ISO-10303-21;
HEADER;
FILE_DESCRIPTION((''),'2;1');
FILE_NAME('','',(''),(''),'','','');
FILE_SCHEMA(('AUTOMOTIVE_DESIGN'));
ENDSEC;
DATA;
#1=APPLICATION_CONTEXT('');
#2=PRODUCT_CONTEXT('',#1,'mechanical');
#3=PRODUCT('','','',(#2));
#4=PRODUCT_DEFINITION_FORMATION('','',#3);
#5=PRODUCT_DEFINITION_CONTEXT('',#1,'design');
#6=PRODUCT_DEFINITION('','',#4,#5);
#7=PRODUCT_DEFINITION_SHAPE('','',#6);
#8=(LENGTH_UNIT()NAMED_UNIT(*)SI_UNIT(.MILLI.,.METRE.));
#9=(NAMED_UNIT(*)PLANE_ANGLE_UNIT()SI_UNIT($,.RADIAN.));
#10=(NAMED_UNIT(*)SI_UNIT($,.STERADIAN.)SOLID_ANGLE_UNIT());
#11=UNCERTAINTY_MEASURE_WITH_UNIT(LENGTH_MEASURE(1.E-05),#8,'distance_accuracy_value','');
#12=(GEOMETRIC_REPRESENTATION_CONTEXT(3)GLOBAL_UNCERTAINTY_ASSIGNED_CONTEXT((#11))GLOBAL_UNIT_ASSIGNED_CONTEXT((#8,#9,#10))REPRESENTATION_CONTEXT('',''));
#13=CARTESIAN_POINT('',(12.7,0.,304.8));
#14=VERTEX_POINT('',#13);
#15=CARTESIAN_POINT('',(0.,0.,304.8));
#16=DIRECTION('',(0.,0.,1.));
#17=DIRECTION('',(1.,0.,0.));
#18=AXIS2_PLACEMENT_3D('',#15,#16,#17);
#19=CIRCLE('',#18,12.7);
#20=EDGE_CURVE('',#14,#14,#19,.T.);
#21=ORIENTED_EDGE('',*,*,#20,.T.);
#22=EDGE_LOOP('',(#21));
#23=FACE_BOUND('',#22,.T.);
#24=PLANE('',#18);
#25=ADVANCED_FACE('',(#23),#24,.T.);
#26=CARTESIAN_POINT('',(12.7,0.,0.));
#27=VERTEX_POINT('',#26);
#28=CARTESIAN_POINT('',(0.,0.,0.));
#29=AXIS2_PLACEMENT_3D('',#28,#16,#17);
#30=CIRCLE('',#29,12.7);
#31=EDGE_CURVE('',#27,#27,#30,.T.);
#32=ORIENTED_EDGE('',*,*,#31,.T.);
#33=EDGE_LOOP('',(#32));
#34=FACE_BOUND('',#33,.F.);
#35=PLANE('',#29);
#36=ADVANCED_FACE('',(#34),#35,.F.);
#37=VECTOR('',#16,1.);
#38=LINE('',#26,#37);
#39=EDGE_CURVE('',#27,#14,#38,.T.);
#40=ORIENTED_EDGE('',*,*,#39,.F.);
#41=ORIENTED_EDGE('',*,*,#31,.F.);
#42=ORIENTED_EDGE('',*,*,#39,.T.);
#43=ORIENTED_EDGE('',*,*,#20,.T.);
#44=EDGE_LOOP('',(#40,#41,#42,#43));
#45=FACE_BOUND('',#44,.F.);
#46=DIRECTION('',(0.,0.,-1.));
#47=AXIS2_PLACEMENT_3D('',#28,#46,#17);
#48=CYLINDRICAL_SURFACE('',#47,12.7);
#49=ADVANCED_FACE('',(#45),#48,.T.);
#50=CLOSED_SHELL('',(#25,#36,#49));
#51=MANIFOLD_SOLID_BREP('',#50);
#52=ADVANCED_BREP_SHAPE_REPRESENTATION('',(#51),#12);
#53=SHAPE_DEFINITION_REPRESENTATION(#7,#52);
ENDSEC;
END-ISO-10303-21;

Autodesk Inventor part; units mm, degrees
ref_plane "YZ Plane" through (0, 0, 0) normal (1, 0, 0) x (0, 1, 0)
ref_plane "XZ Plane" through (0, 0, 0) normal (0, 1, 0) x (-1, 0, 0)
ref_plane "XY Plane" through (0, 0, 0) normal (0, 0, 1) x (1, 0, 0)
sketch "Sketch1" plane through (0, 0, 0) normal (0, 0, 1) x (1, 0, 0)
  circle A0 centre (0, 0) radius 12.7
  dimension "d0" = 25.4
extrude "Extrusion1" add sketch "Sketch1" along normal blind 304.8
properties part number "Interior Pneumatics Cell"
